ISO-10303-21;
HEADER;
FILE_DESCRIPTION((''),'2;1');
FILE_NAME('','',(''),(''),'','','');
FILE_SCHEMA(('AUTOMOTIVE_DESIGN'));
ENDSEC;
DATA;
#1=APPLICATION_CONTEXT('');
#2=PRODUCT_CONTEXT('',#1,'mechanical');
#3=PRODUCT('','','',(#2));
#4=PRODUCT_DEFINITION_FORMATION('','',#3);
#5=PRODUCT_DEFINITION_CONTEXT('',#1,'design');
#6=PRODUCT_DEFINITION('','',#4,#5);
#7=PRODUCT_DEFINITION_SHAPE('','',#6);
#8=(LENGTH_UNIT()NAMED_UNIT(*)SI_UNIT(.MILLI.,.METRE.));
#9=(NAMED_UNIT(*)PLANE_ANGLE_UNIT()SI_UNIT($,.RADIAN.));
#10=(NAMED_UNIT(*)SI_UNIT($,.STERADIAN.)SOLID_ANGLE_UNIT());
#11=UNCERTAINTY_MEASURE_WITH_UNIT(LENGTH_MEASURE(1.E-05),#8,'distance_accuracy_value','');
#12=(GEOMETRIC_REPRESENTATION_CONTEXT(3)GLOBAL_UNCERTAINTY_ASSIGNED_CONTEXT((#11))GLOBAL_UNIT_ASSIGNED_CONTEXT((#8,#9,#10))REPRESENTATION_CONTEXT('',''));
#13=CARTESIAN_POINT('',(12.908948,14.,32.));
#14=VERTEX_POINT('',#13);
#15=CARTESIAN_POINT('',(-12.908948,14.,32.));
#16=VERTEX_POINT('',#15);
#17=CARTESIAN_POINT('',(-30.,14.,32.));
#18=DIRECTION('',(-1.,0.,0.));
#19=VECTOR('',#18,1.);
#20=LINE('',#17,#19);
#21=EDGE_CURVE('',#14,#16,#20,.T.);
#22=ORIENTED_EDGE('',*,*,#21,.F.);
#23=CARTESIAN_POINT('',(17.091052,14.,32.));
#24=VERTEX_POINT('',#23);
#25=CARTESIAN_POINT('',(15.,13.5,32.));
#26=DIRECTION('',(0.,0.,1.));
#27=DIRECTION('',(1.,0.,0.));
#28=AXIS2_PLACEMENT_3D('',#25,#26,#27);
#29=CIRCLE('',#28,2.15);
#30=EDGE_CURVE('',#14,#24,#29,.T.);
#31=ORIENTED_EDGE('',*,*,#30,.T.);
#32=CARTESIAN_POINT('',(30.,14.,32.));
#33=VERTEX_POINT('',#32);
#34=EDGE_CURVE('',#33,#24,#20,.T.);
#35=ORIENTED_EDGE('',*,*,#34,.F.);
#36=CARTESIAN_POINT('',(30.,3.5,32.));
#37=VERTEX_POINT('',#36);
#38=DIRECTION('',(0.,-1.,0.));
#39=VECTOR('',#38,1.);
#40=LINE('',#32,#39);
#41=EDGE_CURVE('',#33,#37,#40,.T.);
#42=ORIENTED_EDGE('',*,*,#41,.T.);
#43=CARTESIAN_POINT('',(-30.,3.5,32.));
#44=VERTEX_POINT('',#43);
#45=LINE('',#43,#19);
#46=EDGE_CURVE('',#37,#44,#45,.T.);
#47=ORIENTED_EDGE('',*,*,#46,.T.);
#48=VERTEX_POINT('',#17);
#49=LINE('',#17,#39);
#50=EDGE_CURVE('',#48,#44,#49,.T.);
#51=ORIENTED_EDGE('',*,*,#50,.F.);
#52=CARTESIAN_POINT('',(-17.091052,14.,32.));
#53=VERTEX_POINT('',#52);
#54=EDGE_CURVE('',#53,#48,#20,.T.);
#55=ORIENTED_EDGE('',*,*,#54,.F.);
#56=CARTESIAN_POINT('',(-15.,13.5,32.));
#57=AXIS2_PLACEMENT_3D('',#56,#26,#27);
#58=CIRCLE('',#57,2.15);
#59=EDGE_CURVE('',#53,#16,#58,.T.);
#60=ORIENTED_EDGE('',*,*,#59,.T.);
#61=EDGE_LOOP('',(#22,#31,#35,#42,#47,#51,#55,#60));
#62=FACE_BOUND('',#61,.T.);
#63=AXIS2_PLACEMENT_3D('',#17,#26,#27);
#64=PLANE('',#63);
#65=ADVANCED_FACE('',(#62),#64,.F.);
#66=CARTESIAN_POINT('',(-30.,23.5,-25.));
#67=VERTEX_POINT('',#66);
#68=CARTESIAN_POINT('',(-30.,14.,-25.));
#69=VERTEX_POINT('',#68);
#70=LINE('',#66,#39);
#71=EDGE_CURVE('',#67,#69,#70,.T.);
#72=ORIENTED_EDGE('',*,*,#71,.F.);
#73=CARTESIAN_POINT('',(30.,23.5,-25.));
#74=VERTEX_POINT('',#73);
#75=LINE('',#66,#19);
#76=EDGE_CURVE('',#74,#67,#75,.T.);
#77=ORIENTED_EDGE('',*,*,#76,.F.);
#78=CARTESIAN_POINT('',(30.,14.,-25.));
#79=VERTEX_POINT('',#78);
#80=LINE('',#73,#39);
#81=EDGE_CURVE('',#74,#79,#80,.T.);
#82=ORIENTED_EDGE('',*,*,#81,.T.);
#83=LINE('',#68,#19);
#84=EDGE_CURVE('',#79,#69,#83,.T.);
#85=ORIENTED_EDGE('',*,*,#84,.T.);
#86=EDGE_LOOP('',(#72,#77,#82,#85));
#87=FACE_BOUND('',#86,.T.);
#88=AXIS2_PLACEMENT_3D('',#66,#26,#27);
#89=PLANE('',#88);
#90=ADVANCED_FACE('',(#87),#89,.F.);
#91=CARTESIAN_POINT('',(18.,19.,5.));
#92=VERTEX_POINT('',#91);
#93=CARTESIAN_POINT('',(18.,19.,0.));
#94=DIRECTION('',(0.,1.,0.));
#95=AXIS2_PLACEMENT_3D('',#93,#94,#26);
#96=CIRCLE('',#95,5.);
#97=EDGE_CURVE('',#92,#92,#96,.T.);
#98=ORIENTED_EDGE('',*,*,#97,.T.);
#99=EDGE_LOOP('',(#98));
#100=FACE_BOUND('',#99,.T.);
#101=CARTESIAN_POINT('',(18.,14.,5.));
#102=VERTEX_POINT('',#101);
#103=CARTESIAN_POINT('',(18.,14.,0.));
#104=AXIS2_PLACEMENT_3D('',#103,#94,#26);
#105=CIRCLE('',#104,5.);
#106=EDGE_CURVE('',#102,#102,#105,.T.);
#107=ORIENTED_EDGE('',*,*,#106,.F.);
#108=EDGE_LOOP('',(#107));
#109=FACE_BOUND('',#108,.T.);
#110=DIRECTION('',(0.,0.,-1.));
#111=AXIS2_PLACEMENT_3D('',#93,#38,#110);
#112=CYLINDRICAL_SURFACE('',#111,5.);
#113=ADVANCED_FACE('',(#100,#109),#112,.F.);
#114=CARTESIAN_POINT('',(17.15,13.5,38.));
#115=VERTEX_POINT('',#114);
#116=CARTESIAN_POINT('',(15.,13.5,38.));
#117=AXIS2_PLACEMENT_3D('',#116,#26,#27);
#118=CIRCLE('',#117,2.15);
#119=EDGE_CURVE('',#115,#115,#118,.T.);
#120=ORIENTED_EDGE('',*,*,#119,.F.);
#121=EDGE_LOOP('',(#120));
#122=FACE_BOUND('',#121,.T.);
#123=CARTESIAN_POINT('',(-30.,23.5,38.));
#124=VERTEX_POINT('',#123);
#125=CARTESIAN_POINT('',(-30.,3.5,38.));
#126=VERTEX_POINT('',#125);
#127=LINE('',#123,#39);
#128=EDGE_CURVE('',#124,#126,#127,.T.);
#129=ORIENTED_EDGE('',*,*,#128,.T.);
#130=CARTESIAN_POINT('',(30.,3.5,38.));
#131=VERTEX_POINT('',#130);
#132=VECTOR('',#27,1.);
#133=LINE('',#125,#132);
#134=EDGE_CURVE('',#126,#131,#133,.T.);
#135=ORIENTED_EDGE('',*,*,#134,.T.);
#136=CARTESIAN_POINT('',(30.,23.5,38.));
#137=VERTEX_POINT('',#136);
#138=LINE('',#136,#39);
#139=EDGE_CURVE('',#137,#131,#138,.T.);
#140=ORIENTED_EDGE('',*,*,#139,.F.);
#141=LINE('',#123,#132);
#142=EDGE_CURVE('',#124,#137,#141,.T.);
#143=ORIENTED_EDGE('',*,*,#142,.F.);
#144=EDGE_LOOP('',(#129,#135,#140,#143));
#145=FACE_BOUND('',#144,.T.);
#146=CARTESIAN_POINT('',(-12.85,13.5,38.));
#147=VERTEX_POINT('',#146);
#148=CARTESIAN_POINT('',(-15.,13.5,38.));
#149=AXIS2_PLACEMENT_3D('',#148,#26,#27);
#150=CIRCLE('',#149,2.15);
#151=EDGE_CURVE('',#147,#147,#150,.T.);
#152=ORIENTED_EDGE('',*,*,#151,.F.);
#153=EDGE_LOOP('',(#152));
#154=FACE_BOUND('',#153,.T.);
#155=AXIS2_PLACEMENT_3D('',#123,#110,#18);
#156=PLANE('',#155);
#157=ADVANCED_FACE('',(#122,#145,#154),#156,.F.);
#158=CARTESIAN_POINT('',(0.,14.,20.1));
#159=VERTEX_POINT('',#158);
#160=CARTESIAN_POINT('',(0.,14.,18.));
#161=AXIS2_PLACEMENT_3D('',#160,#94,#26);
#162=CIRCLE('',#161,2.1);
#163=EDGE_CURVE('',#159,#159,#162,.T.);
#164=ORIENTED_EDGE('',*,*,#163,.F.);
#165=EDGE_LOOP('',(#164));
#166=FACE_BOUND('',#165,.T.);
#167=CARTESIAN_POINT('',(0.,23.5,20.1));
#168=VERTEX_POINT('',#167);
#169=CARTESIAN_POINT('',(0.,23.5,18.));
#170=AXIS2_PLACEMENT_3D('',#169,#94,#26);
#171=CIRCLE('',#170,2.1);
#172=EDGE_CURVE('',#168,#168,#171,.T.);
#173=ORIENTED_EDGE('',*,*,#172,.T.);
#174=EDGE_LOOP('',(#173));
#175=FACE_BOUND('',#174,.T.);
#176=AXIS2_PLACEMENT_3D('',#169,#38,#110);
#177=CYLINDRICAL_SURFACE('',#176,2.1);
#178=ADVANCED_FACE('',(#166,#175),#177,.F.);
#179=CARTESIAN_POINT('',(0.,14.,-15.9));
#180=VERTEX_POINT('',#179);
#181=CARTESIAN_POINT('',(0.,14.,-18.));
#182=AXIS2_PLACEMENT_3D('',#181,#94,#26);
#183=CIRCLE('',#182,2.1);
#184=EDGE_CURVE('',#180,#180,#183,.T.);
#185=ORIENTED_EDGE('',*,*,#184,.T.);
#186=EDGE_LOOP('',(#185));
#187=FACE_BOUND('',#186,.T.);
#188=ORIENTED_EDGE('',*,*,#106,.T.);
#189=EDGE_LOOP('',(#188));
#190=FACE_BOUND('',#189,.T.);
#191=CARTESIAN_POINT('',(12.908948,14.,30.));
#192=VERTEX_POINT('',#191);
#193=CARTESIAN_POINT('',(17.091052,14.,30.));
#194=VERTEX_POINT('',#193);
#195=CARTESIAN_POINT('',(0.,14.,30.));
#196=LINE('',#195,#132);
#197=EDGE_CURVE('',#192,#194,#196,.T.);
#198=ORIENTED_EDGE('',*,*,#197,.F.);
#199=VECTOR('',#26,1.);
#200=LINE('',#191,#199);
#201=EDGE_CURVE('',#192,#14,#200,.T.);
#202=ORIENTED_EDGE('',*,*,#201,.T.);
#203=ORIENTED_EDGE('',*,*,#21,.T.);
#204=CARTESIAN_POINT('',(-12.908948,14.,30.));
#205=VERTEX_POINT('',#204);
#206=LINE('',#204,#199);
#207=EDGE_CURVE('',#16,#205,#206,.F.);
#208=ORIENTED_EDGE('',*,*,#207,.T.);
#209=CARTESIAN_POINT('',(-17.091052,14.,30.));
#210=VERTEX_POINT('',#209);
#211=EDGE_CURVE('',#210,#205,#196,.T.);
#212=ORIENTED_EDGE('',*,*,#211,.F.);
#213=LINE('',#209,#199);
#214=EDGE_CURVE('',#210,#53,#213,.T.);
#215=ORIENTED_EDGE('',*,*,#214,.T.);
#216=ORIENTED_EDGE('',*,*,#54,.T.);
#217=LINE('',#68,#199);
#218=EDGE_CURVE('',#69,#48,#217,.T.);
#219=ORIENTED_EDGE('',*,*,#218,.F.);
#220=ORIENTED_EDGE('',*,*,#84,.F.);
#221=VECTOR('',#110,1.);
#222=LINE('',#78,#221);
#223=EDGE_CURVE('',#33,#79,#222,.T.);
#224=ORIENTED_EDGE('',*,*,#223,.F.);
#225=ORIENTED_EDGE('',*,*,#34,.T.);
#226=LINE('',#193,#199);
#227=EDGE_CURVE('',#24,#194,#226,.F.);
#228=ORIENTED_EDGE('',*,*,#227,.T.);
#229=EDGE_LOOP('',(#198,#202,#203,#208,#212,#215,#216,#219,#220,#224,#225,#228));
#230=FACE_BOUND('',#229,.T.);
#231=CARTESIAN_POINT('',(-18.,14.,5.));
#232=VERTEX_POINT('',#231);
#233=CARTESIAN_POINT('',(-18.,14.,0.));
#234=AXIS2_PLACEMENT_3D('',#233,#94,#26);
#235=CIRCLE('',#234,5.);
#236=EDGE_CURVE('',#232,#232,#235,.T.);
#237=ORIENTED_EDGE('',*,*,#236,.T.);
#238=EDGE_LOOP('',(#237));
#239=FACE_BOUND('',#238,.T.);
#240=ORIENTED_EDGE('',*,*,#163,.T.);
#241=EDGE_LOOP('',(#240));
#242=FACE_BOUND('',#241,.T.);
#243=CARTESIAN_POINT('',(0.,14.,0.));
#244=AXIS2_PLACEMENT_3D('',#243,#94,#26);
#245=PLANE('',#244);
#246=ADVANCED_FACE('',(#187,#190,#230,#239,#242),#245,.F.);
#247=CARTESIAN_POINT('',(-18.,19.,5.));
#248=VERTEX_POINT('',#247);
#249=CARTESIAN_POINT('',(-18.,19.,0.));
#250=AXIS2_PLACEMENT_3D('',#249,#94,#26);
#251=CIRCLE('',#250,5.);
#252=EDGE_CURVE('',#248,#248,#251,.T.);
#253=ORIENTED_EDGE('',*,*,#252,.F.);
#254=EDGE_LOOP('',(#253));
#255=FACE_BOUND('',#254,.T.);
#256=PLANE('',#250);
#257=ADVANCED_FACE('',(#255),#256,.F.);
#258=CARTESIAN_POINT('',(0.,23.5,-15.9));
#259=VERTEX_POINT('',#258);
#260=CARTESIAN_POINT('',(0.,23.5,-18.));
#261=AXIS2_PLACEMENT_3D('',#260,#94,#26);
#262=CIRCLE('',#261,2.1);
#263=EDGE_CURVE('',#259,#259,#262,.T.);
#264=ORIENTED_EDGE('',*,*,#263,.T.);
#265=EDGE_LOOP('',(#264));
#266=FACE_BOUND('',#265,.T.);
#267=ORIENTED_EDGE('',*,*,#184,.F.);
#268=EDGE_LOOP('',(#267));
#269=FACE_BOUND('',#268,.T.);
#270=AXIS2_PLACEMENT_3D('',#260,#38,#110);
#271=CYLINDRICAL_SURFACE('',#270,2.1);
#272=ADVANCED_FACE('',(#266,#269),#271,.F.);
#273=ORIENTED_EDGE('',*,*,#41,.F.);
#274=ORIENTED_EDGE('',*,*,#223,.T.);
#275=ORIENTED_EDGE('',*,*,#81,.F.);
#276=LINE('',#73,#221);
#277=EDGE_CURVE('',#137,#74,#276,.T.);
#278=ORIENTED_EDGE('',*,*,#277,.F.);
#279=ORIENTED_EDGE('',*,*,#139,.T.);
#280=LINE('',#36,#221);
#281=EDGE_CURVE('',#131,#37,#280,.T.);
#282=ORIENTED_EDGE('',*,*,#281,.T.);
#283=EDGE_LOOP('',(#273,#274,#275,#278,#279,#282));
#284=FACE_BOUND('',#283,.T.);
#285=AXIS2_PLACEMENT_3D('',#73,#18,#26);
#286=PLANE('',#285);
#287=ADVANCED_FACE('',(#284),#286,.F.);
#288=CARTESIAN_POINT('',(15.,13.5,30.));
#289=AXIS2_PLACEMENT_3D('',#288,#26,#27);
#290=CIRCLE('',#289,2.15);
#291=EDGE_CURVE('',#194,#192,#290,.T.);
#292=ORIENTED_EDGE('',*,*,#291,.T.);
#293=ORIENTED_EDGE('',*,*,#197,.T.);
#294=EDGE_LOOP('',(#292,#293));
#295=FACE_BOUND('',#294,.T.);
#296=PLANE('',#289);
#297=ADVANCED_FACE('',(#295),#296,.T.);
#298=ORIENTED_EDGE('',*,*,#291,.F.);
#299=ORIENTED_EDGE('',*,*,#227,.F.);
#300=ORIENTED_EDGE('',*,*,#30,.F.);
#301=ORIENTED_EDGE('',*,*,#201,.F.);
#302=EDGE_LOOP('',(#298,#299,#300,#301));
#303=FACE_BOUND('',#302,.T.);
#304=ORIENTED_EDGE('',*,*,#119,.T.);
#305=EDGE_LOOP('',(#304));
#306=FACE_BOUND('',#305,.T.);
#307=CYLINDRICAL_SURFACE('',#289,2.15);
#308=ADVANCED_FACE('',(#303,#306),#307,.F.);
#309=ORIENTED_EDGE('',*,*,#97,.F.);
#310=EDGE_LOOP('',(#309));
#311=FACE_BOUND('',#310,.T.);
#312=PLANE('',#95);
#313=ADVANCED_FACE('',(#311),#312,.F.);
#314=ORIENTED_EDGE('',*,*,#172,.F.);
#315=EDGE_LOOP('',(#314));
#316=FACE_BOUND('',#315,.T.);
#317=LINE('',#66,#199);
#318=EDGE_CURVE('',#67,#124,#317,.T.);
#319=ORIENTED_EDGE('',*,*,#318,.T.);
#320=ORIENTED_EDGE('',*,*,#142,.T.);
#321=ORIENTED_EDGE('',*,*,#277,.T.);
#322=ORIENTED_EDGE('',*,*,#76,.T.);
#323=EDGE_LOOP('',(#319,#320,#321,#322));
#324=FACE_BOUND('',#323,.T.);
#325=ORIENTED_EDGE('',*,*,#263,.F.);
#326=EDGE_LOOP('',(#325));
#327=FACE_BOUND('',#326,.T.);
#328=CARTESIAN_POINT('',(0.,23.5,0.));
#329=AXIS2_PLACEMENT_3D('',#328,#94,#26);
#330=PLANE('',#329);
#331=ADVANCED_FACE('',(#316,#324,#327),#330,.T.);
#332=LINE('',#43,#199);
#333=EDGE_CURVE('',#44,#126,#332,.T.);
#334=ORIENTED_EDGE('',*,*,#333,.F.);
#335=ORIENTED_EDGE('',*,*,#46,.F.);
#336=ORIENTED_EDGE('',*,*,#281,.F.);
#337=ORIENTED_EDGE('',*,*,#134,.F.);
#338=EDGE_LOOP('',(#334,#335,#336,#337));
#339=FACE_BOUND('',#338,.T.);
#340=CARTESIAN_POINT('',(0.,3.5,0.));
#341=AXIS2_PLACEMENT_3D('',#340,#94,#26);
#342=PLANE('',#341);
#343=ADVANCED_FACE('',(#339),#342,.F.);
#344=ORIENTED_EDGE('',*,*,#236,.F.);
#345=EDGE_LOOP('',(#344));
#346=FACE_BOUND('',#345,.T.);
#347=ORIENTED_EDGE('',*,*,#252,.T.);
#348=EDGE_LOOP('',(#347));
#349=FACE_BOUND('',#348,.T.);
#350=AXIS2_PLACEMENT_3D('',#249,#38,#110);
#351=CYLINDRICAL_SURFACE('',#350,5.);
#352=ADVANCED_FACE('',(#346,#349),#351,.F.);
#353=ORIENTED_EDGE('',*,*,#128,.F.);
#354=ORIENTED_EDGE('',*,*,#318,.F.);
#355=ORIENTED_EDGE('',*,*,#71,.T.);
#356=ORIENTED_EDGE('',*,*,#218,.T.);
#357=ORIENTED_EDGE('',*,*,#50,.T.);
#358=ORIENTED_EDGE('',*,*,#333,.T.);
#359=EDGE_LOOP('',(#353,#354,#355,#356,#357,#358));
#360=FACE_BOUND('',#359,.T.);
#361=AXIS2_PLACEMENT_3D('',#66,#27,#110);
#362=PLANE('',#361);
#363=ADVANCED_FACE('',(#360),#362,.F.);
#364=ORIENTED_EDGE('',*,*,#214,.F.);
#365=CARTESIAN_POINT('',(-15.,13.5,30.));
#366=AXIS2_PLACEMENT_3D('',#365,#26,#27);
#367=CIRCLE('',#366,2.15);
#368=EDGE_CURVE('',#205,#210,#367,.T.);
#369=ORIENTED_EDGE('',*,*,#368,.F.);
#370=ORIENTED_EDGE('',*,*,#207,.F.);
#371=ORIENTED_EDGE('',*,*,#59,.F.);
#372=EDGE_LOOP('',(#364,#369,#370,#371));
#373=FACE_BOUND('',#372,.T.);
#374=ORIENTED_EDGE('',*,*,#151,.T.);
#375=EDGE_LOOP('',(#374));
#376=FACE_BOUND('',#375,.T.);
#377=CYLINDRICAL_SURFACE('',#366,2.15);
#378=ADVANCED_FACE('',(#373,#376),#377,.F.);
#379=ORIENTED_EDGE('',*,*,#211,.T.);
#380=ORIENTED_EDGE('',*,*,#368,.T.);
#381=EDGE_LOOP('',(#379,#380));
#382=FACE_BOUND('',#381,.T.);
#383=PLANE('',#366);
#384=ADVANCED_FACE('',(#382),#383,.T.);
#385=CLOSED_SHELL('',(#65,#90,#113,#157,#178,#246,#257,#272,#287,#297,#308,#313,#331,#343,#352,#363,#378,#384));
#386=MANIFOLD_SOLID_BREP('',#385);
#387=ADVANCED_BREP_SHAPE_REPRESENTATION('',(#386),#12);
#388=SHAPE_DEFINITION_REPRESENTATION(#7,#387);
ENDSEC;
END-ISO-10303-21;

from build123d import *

# Parameters (mm, degrees)
SK_TOP_W              = 60
SK_TOP_H              = 63
EX_TOP_DEPTH          = 9.5
SK_BACKWALL_W         = 60
SK_BACKWALL_H         = 6
EX_BACKWALL_DEPTH     = 10.5
SK_RAILBOLTS_R        = 2.15
CUT_RAILBOLTS_DEPTH   = 8
SK_GUIDEPINS_R        = 2.1
CUT_GUIDEPINS_DEPTH   = 9.5
SK_SPRINGSEATS_R      = 5
CUT_SPRINGSEATS_DEPTH = 5


with BuildPart() as part:
    # SK_Top → EX_Top (new body)
    with BuildSketch(Plane(origin=(0, 14, 0), x_dir=(1, 0, 0), z_dir=(0, 1, 0))):
        with Locations((0, -6.5)):
            Rectangle(SK_TOP_W, SK_TOP_H)
    extrude(amount=EX_TOP_DEPTH)

    # SK_BackWall → EX_BackWall (add)
    with BuildSketch(Plane(origin=(0, 3.5, 0), x_dir=(1, 0, 0), z_dir=(0, 1, 0))):
        with Locations((0, -35)):
            Rectangle(SK_BACKWALL_W, SK_BACKWALL_H)
    extrude(amount=EX_BACKWALL_DEPTH)

    # SK_RailBolts → CUT_RailBolts (cut)
    with BuildSketch(Plane.XY.offset(38)):
        with Locations((15, 13.5)):
            Circle(SK_RAILBOLTS_R)
        with Locations((-15, 13.5)):
            Circle(SK_RAILBOLTS_R)
    extrude(amount=-CUT_RAILBOLTS_DEPTH, mode=Mode.SUBTRACT)

    # SK_GuidePins → CUT_GuidePins (cut)
    with BuildSketch(Plane(origin=(0, 14, 0), x_dir=(1, 0, 0), z_dir=(0, 1, 0))):
        with Locations((0, -18)):
            Circle(SK_GUIDEPINS_R)
        with Locations((0, 18)):
            Circle(SK_GUIDEPINS_R)
    extrude(amount=CUT_GUIDEPINS_DEPTH, mode=Mode.SUBTRACT)

    # SK_SpringSeats → CUT_SpringSeats (cut)
    with BuildSketch(Plane(origin=(0, 14, 0), x_dir=(1, 0, 0), z_dir=(0, 1, 0))):
        with Locations((18, 0)):
            Circle(SK_SPRINGSEATS_R)
        with Locations((-18, 0)):
            Circle(SK_SPRINGSEATS_R)
    extrude(amount=CUT_SPRINGSEATS_DEPTH, mode=Mode.SUBTRACT)


solid = part.part
